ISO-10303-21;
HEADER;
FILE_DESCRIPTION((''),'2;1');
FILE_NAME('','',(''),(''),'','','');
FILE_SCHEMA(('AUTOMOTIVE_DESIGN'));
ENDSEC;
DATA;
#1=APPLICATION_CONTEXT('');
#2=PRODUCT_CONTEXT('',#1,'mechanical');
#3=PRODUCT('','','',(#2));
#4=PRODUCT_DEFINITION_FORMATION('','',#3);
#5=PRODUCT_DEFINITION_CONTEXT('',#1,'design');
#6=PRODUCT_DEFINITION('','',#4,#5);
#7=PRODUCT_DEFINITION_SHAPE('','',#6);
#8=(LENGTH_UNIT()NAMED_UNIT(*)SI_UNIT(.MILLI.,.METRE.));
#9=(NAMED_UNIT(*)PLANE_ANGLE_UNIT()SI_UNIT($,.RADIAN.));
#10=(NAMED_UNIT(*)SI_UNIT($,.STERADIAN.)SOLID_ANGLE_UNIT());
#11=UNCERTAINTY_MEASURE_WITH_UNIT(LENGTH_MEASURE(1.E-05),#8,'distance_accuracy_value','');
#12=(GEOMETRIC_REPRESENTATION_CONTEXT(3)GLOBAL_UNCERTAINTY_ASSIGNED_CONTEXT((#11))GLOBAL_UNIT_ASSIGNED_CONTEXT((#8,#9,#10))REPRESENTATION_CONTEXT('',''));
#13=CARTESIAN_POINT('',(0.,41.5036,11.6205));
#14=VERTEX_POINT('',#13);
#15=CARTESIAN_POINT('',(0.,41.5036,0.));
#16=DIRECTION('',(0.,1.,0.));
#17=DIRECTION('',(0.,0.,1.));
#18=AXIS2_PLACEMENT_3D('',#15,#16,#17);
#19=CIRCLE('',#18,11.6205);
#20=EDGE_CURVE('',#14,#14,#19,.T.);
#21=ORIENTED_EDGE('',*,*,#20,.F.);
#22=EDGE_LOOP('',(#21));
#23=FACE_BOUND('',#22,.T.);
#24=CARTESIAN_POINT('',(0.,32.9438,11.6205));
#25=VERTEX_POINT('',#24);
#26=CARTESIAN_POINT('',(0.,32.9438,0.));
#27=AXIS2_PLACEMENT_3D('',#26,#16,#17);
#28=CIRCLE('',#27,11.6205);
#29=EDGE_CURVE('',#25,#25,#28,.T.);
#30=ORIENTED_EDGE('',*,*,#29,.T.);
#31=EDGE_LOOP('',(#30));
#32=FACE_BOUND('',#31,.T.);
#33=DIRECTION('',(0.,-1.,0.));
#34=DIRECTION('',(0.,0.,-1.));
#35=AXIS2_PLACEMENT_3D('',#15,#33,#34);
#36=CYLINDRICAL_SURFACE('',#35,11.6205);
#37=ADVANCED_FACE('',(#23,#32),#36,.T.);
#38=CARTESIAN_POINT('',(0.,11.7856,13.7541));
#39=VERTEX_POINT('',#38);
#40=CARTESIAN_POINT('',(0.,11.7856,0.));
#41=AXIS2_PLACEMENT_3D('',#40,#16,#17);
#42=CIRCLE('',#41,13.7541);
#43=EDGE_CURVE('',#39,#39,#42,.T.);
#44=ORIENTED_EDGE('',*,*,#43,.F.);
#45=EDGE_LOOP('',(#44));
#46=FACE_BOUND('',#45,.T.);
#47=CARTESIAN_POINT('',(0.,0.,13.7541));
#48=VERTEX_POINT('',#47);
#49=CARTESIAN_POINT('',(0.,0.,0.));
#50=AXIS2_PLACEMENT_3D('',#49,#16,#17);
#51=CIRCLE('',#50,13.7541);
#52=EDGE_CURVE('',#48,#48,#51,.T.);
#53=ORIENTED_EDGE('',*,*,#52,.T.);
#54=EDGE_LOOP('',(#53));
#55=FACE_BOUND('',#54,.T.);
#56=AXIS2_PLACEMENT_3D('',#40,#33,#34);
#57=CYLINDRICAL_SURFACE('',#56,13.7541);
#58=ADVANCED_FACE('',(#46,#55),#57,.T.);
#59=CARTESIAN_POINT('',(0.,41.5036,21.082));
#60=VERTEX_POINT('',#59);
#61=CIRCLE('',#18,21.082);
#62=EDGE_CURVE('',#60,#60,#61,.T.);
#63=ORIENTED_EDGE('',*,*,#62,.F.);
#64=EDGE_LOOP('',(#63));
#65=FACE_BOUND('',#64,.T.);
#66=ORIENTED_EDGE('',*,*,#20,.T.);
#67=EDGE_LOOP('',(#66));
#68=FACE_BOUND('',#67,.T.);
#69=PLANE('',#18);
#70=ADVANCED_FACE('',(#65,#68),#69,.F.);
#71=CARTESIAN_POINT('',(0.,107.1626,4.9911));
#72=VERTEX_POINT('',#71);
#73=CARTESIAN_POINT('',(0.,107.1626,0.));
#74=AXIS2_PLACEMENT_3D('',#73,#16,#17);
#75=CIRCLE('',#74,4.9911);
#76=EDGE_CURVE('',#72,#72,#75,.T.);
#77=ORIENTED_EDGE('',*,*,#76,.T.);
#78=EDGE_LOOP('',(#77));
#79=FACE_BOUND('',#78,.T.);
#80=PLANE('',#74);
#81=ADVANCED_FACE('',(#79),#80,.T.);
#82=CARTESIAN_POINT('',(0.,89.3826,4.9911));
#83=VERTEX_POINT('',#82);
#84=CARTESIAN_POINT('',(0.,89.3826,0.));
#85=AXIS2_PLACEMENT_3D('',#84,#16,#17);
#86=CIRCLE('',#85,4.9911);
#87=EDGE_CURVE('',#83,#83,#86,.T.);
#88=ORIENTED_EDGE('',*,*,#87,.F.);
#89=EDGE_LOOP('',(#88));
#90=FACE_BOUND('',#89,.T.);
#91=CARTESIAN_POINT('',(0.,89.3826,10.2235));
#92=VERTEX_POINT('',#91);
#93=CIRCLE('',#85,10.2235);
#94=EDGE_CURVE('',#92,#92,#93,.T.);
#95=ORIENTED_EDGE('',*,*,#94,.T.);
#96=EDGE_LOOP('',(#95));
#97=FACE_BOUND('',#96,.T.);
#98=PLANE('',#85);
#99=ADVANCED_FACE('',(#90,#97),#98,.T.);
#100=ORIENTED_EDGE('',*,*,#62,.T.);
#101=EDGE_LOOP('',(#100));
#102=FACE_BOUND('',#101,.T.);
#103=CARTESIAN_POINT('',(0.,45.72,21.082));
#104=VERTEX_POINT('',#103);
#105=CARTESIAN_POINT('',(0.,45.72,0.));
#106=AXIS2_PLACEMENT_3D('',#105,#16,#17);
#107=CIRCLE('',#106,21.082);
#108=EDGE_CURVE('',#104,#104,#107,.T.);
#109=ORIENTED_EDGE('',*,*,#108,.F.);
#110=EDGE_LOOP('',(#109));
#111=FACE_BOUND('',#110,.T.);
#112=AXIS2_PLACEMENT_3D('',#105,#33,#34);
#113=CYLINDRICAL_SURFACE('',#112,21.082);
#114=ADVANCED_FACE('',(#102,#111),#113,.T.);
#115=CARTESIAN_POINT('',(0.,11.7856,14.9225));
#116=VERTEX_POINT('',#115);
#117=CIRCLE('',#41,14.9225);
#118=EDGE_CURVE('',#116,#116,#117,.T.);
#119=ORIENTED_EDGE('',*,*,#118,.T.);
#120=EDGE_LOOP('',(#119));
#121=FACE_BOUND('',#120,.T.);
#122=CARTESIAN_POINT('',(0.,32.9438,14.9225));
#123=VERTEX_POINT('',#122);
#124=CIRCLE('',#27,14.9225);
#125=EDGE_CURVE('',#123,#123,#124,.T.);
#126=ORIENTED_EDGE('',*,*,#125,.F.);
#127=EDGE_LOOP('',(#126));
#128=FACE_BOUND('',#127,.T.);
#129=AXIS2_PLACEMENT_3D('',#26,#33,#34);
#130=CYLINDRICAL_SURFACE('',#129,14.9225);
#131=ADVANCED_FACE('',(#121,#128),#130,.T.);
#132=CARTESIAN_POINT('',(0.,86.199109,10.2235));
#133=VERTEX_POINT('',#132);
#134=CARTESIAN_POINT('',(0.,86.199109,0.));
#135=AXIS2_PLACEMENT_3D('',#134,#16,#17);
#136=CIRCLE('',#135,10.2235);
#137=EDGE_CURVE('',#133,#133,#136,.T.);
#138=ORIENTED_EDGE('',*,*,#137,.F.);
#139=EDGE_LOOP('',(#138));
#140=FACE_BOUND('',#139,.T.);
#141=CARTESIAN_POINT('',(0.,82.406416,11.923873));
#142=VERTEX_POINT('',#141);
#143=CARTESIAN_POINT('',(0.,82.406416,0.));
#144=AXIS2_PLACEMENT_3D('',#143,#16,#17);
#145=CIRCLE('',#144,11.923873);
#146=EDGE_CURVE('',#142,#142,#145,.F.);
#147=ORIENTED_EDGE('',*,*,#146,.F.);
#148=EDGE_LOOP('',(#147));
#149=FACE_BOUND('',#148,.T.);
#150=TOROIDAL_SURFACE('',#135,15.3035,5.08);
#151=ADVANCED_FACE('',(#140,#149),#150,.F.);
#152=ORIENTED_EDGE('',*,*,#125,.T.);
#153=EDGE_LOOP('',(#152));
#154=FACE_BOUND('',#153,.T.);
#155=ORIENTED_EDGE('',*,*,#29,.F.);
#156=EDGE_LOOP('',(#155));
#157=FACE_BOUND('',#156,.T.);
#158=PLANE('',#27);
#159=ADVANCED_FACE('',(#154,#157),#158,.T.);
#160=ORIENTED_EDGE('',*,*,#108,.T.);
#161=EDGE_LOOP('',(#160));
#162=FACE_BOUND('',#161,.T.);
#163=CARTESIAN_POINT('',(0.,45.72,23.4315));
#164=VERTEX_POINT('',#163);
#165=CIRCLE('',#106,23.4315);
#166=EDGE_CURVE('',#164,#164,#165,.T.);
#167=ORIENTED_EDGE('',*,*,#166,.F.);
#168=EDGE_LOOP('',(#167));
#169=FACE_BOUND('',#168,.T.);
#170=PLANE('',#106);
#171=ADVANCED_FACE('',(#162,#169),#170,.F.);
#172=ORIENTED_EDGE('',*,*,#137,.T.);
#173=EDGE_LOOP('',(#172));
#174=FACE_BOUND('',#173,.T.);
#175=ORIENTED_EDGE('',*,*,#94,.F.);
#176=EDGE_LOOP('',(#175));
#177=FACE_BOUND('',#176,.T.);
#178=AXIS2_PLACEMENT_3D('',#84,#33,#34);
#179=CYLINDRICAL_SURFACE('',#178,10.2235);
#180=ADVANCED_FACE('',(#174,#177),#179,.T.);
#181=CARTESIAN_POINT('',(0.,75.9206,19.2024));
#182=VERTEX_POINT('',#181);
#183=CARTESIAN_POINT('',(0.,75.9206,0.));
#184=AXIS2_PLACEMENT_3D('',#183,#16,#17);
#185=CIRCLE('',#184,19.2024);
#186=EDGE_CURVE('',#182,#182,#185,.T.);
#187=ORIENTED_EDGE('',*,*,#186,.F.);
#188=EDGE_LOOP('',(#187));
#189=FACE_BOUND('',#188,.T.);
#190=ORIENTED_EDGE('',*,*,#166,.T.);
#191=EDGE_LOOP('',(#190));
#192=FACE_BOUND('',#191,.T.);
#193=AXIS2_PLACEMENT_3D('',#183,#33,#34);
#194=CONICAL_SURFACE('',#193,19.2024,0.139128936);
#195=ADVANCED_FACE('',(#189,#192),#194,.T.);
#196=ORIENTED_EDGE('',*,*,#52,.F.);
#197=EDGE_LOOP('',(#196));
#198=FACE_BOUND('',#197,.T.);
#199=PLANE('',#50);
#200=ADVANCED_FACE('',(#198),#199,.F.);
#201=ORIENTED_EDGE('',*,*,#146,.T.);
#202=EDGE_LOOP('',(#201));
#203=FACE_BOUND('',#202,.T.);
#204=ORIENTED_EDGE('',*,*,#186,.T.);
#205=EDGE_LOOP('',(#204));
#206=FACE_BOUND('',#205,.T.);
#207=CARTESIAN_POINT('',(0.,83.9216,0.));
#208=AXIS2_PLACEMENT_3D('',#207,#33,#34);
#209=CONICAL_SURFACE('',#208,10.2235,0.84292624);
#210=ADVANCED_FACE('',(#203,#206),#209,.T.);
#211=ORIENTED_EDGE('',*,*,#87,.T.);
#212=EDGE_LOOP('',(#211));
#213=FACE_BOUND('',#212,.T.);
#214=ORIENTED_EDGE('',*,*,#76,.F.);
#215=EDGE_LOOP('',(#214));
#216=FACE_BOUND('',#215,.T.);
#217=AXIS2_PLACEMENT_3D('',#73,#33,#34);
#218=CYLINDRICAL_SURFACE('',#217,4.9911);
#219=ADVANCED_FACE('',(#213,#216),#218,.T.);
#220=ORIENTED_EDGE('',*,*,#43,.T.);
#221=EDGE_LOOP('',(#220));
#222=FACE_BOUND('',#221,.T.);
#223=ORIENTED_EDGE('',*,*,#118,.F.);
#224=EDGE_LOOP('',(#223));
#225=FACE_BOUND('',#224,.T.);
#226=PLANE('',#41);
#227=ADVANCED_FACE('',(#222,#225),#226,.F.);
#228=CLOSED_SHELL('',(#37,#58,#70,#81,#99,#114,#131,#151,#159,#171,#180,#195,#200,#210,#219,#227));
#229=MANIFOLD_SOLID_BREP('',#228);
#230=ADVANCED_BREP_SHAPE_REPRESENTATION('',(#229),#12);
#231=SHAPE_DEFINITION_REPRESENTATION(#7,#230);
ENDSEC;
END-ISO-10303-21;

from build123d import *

# Parameters (mm, degrees)
SKETCH1_R           = 13.7541
BOSS_EXTRUDE1_DEPTH = 11.7856
SKETCH2_R           = 14.9225
BOSS_EXTRUDE2_DEPTH = 21.1582
SKETCH3_R           = 11.6205
BOSS_EXTRUDE3_DEPTH = 8.5598
SKETCH4_R           = 21.082
BOSS_EXTRUDE4_DEPTH = 4.2164
SKETCH6_R           = 19.2024
SKETCH5_R           = 23.4315
SKETCH8_R           = 10.2235
SKETCH9_R           = 10.2235
BOSS_EXTRUDE5_DEPTH = 5.461
SKETCH11_R          = 4.9911
BOSS_EXTRUDE6_DEPTH = 17.78
FILLET1_R           = 5.08


with BuildPart() as part:
    # Sketch1 → Boss-Extrude1 (new body)
    with BuildSketch(Plane(origin=(0, 0, 0), x_dir=(1, 0, 0), z_dir=(0, 1, 0))):
        with Locations(Location((0, 0, 0), (0, 0, 270))):
            Circle(SKETCH1_R)
    extrude(amount=BOSS_EXTRUDE1_DEPTH)

    # Sketch2 → Boss-Extrude2 (add)
    with BuildSketch(Plane(origin=(0, 11.7856, 0), x_dir=(1, 0, 0), z_dir=(0, 1, 0))):
        with Locations(Location((0, 0, 0), (0, 0, 270))):
            Circle(SKETCH2_R)
    extrude(amount=BOSS_EXTRUDE2_DEPTH)

    # Sketch3 → Boss-Extrude3 (add)
    with BuildSketch(Plane(origin=(0, 32.9438, 0), x_dir=(1, 0, 0), z_dir=(0, 1, 0))):
        with Locations(Location((0, 0, 0), (0, 0, 270))):
            Circle(SKETCH3_R)
    extrude(amount=BOSS_EXTRUDE3_DEPTH)

    # Sketch4 → Boss-Extrude4 (add)
    with BuildSketch(Plane(origin=(0, 41.5036, 0), x_dir=(1, 0, 0), z_dir=(0, 1, 0))):
        with Locations(Location((0, 0, 0), (0, 0, 270))):
            Circle(SKETCH4_R)
    extrude(amount=BOSS_EXTRUDE4_DEPTH)

    # Sketch6 → Loft1 section 0
    with BuildSketch(Plane(origin=(0, 75.9206, 0), x_dir=(1, 0, 0), z_dir=(0, 1, 0))):
        Circle(SKETCH6_R)
    # Sketch5 → Loft1 section 1
    with BuildSketch(Plane(origin=(0, 45.72, 0), x_dir=(1, 0, 0), z_dir=(0, 1, 0))):
        Circle(SKETCH5_R)
    loft()

    # Sketch8 → section 1 of loft2
    with BuildSketch(Plane(origin=(0, 83.9216, 0), x_dir=(1, 0, 0), z_dir=(0, 1, 0)), mode=Mode.PRIVATE) as loft2_s1:
        Circle(SKETCH8_R)
    # loft up to a face of the part (loft2)
    loft([Face(Wire([part.edges().sort_by_distance((-13.144947347, 75.9206, -13.997947171))[0]])), loft2_s1.sketch])

    # Sketch9 → Boss-Extrude5 (add)
    with BuildSketch(Plane(origin=(0, 83.9216, 0), x_dir=(1, 0, 0), z_dir=(0, 1, 0))):
        with Locations(Location((0, 0, 0), (0, 0, 270))):
            Circle(SKETCH9_R)
    extrude(amount=BOSS_EXTRUDE5_DEPTH)

    # Sketch11 → Boss-Extrude6 (add)
    with BuildSketch(Plane(origin=(0, 89.3826, 0), x_dir=(1, 0, 0), z_dir=(0, 1, 0))):
        with Locations(Location((0, 0, 0), (0, 0, 270))):
            Circle(SKETCH11_R)
    extrude(amount=BOSS_EXTRUDE6_DEPTH)

    # Fillet1
    fillet1_edges = [part.edges().sort_by_distance(p)[0] for p in [
        (-7.229106177, 83.9216, -7.229106177),
    ]]
    fillet(fillet1_edges, radius=FILLET1_R)


solid = part.part
